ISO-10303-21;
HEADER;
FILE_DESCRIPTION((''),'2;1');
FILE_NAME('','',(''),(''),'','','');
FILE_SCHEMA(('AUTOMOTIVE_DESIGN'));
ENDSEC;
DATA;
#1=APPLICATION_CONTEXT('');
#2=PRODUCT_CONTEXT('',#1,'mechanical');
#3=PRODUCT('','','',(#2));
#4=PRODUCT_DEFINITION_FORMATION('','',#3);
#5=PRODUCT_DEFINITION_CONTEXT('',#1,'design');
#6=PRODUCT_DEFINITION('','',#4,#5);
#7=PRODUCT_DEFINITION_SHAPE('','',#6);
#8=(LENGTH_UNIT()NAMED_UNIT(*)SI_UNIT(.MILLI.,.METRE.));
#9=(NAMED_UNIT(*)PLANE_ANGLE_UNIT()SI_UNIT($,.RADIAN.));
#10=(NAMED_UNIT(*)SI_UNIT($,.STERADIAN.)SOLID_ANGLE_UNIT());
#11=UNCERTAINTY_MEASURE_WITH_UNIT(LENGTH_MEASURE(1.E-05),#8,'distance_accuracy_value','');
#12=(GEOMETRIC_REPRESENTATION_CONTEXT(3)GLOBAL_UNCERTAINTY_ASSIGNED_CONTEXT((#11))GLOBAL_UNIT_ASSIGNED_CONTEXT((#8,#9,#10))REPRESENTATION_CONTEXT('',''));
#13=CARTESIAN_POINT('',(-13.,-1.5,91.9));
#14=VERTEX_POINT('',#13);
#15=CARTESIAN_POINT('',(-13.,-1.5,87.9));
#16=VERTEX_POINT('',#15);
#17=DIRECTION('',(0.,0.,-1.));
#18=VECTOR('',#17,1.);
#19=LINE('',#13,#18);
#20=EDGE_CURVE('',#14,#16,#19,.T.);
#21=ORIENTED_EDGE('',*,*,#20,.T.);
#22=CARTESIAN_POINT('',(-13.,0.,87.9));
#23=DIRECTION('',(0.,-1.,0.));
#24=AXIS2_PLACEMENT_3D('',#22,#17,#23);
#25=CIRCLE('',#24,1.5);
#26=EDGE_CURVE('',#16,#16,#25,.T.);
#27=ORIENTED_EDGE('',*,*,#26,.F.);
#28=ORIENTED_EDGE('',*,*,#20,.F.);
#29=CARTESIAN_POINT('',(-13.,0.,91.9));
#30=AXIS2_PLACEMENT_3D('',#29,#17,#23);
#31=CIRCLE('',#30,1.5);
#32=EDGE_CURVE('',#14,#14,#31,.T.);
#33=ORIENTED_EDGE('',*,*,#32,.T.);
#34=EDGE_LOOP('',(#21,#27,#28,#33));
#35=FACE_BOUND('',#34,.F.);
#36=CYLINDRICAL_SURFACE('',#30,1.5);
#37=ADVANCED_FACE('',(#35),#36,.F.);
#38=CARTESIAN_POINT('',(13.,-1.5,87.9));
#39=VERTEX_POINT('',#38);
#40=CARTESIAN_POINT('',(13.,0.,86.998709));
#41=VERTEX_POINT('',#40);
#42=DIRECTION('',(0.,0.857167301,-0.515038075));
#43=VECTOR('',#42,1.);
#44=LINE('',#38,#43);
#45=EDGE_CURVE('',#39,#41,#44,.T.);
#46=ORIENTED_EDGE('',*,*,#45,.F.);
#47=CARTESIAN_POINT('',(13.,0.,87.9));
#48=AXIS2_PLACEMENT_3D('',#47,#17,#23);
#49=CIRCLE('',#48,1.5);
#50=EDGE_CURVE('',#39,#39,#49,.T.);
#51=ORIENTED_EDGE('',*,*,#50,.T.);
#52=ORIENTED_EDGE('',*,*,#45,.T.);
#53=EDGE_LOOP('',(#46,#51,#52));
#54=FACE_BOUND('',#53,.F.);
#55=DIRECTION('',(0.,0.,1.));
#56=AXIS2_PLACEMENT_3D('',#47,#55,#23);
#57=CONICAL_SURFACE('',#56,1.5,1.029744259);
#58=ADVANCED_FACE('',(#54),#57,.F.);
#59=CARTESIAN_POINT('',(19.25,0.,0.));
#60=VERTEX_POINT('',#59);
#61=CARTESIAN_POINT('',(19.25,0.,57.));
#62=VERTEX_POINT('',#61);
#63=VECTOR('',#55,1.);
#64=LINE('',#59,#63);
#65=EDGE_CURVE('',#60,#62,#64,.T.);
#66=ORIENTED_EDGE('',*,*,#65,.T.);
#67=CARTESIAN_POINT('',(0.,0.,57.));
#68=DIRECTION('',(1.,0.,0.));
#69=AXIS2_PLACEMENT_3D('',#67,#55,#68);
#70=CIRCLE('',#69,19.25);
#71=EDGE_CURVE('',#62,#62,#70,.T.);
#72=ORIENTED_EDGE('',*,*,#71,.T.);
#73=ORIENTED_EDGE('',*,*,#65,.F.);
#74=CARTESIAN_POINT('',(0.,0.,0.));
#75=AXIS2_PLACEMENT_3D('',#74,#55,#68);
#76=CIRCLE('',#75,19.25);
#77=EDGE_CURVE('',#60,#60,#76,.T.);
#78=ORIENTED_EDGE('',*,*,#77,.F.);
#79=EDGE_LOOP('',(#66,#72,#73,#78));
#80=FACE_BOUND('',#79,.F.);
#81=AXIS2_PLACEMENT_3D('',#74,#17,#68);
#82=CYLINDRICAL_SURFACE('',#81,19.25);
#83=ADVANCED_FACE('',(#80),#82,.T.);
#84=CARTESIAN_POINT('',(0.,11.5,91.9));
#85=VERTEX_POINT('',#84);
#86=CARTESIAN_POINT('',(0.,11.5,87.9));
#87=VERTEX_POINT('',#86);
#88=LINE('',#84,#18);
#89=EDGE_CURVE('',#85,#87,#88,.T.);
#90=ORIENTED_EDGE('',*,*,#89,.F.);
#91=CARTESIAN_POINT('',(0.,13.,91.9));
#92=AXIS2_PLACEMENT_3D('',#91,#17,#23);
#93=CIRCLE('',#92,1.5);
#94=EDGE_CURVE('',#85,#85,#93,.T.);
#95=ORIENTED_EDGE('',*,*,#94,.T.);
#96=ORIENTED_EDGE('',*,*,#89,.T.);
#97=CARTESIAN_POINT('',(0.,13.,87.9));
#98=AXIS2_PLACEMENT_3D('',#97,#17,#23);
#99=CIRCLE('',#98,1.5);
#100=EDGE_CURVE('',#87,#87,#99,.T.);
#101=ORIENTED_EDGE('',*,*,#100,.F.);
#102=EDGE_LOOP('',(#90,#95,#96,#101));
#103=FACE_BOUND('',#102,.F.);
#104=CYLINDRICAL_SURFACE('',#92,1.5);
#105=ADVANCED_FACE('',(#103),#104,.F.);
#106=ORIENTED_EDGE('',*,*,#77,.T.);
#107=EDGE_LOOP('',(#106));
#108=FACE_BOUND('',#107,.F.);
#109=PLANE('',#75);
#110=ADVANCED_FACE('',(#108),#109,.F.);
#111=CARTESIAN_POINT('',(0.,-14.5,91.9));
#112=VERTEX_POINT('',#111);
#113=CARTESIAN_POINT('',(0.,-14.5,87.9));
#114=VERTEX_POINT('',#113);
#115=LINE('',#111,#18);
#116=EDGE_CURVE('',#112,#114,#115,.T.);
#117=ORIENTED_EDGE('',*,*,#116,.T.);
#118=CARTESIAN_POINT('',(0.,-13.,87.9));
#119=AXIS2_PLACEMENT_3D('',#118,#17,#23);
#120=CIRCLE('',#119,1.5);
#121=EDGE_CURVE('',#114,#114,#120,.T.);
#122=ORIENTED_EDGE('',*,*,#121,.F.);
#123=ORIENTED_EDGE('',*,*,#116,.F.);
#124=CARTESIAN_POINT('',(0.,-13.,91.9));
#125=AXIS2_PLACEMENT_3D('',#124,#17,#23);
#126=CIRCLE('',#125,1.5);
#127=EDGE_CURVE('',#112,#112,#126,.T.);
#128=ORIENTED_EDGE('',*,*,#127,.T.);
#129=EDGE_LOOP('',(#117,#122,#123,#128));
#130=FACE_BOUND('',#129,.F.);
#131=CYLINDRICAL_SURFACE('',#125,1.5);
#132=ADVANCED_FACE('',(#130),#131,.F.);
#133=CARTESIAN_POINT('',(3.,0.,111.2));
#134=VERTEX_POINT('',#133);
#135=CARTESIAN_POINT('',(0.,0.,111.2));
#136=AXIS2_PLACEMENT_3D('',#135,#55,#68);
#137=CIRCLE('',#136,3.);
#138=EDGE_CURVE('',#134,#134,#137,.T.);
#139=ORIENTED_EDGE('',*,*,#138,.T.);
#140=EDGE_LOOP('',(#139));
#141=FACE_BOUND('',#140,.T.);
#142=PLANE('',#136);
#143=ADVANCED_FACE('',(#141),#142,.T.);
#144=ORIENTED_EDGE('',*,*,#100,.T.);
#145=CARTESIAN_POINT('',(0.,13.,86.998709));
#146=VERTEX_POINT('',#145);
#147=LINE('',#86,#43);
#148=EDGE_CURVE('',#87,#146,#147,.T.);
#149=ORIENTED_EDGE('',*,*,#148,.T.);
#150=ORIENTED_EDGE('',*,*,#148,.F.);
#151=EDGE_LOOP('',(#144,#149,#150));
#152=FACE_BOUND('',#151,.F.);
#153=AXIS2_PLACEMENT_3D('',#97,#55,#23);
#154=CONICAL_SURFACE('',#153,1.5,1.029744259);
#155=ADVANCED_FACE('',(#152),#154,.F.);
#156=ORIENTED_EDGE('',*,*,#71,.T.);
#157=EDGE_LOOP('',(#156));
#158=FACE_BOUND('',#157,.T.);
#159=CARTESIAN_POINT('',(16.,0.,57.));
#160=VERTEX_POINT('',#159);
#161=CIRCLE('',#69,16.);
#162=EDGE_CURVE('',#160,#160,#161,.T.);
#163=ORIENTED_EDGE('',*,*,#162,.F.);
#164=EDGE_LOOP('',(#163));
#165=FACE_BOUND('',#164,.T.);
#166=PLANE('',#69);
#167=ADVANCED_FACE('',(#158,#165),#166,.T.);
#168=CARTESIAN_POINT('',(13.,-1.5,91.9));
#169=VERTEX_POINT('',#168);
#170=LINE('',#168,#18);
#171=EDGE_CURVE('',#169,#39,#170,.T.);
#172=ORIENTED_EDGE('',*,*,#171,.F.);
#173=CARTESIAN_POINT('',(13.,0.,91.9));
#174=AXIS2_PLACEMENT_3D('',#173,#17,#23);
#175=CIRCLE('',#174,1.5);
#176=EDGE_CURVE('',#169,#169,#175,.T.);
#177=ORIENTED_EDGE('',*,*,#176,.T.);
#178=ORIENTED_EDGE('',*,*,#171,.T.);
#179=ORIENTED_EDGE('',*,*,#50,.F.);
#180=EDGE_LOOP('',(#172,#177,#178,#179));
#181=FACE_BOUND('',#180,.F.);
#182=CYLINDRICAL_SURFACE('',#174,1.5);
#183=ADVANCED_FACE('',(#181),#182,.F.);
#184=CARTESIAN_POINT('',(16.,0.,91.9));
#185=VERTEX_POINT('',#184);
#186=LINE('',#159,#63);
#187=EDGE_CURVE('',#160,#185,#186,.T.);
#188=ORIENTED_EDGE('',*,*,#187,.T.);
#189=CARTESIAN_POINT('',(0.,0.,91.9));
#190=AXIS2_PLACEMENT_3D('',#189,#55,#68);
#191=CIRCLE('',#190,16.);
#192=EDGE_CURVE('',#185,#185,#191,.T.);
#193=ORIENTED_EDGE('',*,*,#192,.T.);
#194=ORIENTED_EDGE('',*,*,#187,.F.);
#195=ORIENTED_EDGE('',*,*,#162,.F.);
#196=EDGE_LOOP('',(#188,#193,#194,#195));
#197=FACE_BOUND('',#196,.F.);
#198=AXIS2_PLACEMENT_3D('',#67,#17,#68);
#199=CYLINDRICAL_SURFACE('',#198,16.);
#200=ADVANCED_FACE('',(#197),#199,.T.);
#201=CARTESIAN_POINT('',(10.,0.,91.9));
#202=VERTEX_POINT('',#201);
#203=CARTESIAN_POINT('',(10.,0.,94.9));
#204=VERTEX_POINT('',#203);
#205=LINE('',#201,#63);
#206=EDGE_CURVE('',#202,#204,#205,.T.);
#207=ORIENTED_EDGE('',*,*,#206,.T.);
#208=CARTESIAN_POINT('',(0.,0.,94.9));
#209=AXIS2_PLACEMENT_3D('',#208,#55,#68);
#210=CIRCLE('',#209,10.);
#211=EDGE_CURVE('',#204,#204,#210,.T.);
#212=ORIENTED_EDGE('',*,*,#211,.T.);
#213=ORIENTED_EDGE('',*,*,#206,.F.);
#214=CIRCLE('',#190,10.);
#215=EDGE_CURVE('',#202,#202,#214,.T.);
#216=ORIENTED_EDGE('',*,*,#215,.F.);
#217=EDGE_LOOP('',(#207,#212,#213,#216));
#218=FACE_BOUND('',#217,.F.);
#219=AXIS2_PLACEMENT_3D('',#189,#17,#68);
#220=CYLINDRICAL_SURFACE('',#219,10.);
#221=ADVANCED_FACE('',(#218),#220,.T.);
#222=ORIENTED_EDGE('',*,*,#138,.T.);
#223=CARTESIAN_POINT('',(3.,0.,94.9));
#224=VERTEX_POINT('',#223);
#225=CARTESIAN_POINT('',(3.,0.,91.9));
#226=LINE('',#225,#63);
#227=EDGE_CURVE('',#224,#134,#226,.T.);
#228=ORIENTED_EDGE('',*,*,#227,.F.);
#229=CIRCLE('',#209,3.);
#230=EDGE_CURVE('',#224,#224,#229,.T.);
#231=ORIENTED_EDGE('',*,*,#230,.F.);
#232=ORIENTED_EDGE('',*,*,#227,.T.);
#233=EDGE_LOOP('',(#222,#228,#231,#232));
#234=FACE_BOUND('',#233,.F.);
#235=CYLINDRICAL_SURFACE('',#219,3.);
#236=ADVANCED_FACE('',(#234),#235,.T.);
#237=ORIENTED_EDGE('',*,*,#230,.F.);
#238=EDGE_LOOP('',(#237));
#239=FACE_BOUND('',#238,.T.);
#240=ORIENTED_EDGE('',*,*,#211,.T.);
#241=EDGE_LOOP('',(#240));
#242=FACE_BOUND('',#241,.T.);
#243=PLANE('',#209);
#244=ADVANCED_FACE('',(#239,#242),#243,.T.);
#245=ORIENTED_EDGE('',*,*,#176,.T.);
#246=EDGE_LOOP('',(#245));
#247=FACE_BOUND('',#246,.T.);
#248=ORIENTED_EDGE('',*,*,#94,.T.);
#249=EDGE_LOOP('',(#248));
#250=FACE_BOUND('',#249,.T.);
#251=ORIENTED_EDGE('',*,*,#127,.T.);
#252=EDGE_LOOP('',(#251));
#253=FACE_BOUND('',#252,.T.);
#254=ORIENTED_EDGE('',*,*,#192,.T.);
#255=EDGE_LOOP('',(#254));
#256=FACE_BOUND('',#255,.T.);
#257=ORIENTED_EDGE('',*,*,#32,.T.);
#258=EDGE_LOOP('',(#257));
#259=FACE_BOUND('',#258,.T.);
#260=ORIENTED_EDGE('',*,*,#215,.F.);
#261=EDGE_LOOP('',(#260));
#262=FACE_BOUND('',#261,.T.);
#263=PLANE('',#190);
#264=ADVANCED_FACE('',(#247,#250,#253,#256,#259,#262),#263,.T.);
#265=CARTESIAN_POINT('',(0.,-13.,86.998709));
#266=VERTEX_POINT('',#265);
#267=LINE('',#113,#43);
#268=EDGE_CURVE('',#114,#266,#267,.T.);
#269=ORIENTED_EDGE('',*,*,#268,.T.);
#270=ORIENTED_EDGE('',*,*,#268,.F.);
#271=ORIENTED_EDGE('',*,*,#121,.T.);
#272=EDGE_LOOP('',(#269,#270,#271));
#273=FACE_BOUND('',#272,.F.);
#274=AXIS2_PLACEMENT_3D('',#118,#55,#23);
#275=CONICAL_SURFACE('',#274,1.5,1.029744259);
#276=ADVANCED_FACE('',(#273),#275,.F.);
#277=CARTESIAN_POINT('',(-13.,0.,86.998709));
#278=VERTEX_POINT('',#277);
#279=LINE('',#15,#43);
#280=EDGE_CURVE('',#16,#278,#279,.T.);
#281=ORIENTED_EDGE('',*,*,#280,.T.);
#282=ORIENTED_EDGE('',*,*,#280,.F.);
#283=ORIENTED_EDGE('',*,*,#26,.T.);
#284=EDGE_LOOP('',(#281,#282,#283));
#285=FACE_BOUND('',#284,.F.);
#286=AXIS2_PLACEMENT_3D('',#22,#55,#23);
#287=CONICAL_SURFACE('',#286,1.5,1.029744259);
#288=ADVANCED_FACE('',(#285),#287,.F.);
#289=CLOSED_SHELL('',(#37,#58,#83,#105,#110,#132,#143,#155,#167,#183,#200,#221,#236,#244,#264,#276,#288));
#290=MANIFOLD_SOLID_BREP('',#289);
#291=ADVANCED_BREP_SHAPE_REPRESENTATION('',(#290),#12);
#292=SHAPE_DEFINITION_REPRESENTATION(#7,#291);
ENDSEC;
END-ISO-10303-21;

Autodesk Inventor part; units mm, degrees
ref_plane "YZ Plane" through (0, 0, 0) normal (1, 0, 0) x (0, 1, 0)
ref_plane "XZ Plane" through (0, 0, 0) normal (0, 1, 0) x (-1, 0, 0)
ref_plane "XY Plane" through (0, 0, 0) normal (0, 0, 1) x (1, 0, 0)
sketch "スケッチ1" plane through (0, 0, 0) normal (0, 0, 1) x (1, 0, 0)
  circle A0 centre (0, 0) radius 19.25
  dimension "d0" = 38.5
extrude "押し出し1" add sketch "スケッチ1" along normal blind 57
sketch "スケッチ2" plane through (0, 0, 57) normal (0, 0, 1) x (1, 0, 0)
  circle A0 centre (0, 0) radius 16
  dimension "d3" = 32
extrude "押し出し2" add sketch "スケッチ2" along normal blind 34.9
sketch "スケッチ3" plane through (0, 0, 91.9) normal (0, 0, 1) x (1, 0, 0)
  circle A0 centre (0, 0) radius 3
  dimension "d6" = 6
extrude "押し出し3" add sketch "スケッチ3" along normal blind 19.3
sketch "スケッチ4" plane through (0, 0, 91.9) normal (0, 0, 1) x (1, 0, 0)
  circle A0 centre (0, 0) radius 3 projected
  circle A1 centre (0, 0) radius 10
  dimension "d9" = 20
extrude "押し出し4" add sketch "スケッチ4" along normal blind 3
sketch "スケッチ5" plane through (0, 0, 91.9) normal (0, 0, 1) x (1, 0, 0)
  circle A0 centre (0, 0) radius 3 projected
  circle A1 centre (0, 0) radius 13
  point P0 (0, 13)
  point P1 (-13, 0)
  point P2 (0, -13)
  point P3 (13, 0)
  dimension "d12" = 26
  dimension "d15" = 360
hole "穴1" at (0, 13, 91.9) at (-13, 0, 91.9) at (0, -13, 91.9) at (13, 0, 91.9) direction (0, 0, -1) diameter 3 depth 4 tip angle 118
properties part number "rs555vc5524"
